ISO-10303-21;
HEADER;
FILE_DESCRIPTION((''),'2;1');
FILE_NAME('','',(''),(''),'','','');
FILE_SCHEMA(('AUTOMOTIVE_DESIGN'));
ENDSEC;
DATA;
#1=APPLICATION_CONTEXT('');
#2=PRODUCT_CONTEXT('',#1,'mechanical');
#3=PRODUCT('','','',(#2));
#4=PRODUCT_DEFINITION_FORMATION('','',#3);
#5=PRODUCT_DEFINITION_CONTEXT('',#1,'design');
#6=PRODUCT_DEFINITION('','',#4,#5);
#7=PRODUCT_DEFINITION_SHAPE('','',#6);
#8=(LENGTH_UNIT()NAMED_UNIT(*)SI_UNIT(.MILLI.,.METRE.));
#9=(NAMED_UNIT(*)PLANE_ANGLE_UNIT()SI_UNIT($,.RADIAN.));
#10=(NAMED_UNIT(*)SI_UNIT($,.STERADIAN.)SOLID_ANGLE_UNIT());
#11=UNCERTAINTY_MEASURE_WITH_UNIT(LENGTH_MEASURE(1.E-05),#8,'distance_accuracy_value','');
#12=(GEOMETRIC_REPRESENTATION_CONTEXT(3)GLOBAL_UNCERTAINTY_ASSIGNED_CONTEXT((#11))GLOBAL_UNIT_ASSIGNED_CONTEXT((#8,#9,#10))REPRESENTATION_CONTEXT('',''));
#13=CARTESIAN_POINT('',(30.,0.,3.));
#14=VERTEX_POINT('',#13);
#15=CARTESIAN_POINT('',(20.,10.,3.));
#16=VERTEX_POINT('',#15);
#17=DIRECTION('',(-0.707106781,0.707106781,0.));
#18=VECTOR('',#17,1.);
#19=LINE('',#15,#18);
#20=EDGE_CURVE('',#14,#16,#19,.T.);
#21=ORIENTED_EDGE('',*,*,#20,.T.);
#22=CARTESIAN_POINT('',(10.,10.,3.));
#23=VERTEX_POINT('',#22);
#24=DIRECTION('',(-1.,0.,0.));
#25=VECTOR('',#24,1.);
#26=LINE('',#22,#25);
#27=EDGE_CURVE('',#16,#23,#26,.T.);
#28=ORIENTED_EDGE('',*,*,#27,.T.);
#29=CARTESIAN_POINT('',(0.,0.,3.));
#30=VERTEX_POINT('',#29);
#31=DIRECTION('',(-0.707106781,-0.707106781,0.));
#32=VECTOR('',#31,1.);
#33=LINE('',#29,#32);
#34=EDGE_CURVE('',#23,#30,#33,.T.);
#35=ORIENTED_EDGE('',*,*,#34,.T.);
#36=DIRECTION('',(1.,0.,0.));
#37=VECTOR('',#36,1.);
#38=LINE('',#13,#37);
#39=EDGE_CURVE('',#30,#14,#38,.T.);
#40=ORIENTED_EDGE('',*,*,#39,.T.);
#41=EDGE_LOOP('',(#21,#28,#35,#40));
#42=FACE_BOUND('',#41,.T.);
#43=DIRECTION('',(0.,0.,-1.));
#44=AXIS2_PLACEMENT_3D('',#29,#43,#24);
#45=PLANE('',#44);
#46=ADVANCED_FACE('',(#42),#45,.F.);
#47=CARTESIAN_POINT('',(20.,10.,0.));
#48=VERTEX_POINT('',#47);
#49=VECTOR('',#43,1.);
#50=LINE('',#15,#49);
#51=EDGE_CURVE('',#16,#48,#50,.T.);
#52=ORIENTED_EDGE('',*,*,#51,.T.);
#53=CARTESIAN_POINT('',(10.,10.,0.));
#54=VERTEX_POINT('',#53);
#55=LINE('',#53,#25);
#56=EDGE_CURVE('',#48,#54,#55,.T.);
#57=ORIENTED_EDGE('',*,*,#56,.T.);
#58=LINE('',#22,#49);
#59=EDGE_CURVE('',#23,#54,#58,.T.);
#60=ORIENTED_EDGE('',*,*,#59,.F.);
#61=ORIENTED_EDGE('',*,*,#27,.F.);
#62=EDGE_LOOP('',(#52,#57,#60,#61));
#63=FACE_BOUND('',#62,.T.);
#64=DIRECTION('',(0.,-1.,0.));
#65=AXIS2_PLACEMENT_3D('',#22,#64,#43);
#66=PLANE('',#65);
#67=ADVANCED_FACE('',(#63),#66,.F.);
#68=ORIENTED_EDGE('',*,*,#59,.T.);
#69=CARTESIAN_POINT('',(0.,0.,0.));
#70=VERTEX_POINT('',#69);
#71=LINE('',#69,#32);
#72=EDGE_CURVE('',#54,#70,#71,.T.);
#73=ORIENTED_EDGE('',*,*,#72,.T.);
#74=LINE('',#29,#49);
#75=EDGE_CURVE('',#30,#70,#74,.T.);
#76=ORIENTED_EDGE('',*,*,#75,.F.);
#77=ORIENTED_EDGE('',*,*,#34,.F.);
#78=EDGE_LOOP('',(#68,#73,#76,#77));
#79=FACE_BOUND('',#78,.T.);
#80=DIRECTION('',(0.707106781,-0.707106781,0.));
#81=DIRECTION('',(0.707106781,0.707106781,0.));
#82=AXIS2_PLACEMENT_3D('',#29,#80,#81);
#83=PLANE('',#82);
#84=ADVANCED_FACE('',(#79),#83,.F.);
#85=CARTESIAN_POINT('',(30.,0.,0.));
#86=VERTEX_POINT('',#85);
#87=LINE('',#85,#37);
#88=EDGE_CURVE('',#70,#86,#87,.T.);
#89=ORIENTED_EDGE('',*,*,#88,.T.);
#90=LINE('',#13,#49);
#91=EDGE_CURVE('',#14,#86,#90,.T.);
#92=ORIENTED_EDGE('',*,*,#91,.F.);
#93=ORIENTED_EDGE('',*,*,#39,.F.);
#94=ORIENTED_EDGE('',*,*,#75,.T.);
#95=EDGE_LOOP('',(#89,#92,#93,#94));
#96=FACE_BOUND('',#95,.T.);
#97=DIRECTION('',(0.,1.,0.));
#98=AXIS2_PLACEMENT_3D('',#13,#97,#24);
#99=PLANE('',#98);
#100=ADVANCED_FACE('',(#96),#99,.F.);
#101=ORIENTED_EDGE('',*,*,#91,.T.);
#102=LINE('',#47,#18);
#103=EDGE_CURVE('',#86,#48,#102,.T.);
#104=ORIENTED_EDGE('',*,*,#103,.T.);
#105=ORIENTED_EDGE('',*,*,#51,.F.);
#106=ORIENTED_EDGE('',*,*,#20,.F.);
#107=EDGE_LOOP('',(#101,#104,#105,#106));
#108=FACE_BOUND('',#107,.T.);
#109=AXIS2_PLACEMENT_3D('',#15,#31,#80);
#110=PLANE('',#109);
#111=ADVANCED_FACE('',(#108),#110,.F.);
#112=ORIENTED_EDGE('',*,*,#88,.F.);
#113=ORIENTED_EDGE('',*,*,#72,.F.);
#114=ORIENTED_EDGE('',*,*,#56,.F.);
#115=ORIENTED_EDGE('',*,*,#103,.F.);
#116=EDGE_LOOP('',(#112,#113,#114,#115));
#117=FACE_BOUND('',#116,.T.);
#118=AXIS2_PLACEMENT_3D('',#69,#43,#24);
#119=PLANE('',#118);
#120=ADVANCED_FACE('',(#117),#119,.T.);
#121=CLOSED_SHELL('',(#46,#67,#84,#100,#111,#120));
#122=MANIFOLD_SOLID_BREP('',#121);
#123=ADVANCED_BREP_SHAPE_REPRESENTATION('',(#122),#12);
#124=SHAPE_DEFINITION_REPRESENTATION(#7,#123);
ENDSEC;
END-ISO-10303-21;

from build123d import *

# Parameters (mm, degrees)
EXTRUDE_1_DEPTH = 3


with BuildPart() as part:
    # 草图1 → 凸台-拉伸1 (new body)
    with BuildSketch(Plane.XY):
        Polygon((0, 0), (10, 10), (20, 10), (30, 0), align=None)
    extrude(amount=EXTRUDE_1_DEPTH)


solid = part.part
